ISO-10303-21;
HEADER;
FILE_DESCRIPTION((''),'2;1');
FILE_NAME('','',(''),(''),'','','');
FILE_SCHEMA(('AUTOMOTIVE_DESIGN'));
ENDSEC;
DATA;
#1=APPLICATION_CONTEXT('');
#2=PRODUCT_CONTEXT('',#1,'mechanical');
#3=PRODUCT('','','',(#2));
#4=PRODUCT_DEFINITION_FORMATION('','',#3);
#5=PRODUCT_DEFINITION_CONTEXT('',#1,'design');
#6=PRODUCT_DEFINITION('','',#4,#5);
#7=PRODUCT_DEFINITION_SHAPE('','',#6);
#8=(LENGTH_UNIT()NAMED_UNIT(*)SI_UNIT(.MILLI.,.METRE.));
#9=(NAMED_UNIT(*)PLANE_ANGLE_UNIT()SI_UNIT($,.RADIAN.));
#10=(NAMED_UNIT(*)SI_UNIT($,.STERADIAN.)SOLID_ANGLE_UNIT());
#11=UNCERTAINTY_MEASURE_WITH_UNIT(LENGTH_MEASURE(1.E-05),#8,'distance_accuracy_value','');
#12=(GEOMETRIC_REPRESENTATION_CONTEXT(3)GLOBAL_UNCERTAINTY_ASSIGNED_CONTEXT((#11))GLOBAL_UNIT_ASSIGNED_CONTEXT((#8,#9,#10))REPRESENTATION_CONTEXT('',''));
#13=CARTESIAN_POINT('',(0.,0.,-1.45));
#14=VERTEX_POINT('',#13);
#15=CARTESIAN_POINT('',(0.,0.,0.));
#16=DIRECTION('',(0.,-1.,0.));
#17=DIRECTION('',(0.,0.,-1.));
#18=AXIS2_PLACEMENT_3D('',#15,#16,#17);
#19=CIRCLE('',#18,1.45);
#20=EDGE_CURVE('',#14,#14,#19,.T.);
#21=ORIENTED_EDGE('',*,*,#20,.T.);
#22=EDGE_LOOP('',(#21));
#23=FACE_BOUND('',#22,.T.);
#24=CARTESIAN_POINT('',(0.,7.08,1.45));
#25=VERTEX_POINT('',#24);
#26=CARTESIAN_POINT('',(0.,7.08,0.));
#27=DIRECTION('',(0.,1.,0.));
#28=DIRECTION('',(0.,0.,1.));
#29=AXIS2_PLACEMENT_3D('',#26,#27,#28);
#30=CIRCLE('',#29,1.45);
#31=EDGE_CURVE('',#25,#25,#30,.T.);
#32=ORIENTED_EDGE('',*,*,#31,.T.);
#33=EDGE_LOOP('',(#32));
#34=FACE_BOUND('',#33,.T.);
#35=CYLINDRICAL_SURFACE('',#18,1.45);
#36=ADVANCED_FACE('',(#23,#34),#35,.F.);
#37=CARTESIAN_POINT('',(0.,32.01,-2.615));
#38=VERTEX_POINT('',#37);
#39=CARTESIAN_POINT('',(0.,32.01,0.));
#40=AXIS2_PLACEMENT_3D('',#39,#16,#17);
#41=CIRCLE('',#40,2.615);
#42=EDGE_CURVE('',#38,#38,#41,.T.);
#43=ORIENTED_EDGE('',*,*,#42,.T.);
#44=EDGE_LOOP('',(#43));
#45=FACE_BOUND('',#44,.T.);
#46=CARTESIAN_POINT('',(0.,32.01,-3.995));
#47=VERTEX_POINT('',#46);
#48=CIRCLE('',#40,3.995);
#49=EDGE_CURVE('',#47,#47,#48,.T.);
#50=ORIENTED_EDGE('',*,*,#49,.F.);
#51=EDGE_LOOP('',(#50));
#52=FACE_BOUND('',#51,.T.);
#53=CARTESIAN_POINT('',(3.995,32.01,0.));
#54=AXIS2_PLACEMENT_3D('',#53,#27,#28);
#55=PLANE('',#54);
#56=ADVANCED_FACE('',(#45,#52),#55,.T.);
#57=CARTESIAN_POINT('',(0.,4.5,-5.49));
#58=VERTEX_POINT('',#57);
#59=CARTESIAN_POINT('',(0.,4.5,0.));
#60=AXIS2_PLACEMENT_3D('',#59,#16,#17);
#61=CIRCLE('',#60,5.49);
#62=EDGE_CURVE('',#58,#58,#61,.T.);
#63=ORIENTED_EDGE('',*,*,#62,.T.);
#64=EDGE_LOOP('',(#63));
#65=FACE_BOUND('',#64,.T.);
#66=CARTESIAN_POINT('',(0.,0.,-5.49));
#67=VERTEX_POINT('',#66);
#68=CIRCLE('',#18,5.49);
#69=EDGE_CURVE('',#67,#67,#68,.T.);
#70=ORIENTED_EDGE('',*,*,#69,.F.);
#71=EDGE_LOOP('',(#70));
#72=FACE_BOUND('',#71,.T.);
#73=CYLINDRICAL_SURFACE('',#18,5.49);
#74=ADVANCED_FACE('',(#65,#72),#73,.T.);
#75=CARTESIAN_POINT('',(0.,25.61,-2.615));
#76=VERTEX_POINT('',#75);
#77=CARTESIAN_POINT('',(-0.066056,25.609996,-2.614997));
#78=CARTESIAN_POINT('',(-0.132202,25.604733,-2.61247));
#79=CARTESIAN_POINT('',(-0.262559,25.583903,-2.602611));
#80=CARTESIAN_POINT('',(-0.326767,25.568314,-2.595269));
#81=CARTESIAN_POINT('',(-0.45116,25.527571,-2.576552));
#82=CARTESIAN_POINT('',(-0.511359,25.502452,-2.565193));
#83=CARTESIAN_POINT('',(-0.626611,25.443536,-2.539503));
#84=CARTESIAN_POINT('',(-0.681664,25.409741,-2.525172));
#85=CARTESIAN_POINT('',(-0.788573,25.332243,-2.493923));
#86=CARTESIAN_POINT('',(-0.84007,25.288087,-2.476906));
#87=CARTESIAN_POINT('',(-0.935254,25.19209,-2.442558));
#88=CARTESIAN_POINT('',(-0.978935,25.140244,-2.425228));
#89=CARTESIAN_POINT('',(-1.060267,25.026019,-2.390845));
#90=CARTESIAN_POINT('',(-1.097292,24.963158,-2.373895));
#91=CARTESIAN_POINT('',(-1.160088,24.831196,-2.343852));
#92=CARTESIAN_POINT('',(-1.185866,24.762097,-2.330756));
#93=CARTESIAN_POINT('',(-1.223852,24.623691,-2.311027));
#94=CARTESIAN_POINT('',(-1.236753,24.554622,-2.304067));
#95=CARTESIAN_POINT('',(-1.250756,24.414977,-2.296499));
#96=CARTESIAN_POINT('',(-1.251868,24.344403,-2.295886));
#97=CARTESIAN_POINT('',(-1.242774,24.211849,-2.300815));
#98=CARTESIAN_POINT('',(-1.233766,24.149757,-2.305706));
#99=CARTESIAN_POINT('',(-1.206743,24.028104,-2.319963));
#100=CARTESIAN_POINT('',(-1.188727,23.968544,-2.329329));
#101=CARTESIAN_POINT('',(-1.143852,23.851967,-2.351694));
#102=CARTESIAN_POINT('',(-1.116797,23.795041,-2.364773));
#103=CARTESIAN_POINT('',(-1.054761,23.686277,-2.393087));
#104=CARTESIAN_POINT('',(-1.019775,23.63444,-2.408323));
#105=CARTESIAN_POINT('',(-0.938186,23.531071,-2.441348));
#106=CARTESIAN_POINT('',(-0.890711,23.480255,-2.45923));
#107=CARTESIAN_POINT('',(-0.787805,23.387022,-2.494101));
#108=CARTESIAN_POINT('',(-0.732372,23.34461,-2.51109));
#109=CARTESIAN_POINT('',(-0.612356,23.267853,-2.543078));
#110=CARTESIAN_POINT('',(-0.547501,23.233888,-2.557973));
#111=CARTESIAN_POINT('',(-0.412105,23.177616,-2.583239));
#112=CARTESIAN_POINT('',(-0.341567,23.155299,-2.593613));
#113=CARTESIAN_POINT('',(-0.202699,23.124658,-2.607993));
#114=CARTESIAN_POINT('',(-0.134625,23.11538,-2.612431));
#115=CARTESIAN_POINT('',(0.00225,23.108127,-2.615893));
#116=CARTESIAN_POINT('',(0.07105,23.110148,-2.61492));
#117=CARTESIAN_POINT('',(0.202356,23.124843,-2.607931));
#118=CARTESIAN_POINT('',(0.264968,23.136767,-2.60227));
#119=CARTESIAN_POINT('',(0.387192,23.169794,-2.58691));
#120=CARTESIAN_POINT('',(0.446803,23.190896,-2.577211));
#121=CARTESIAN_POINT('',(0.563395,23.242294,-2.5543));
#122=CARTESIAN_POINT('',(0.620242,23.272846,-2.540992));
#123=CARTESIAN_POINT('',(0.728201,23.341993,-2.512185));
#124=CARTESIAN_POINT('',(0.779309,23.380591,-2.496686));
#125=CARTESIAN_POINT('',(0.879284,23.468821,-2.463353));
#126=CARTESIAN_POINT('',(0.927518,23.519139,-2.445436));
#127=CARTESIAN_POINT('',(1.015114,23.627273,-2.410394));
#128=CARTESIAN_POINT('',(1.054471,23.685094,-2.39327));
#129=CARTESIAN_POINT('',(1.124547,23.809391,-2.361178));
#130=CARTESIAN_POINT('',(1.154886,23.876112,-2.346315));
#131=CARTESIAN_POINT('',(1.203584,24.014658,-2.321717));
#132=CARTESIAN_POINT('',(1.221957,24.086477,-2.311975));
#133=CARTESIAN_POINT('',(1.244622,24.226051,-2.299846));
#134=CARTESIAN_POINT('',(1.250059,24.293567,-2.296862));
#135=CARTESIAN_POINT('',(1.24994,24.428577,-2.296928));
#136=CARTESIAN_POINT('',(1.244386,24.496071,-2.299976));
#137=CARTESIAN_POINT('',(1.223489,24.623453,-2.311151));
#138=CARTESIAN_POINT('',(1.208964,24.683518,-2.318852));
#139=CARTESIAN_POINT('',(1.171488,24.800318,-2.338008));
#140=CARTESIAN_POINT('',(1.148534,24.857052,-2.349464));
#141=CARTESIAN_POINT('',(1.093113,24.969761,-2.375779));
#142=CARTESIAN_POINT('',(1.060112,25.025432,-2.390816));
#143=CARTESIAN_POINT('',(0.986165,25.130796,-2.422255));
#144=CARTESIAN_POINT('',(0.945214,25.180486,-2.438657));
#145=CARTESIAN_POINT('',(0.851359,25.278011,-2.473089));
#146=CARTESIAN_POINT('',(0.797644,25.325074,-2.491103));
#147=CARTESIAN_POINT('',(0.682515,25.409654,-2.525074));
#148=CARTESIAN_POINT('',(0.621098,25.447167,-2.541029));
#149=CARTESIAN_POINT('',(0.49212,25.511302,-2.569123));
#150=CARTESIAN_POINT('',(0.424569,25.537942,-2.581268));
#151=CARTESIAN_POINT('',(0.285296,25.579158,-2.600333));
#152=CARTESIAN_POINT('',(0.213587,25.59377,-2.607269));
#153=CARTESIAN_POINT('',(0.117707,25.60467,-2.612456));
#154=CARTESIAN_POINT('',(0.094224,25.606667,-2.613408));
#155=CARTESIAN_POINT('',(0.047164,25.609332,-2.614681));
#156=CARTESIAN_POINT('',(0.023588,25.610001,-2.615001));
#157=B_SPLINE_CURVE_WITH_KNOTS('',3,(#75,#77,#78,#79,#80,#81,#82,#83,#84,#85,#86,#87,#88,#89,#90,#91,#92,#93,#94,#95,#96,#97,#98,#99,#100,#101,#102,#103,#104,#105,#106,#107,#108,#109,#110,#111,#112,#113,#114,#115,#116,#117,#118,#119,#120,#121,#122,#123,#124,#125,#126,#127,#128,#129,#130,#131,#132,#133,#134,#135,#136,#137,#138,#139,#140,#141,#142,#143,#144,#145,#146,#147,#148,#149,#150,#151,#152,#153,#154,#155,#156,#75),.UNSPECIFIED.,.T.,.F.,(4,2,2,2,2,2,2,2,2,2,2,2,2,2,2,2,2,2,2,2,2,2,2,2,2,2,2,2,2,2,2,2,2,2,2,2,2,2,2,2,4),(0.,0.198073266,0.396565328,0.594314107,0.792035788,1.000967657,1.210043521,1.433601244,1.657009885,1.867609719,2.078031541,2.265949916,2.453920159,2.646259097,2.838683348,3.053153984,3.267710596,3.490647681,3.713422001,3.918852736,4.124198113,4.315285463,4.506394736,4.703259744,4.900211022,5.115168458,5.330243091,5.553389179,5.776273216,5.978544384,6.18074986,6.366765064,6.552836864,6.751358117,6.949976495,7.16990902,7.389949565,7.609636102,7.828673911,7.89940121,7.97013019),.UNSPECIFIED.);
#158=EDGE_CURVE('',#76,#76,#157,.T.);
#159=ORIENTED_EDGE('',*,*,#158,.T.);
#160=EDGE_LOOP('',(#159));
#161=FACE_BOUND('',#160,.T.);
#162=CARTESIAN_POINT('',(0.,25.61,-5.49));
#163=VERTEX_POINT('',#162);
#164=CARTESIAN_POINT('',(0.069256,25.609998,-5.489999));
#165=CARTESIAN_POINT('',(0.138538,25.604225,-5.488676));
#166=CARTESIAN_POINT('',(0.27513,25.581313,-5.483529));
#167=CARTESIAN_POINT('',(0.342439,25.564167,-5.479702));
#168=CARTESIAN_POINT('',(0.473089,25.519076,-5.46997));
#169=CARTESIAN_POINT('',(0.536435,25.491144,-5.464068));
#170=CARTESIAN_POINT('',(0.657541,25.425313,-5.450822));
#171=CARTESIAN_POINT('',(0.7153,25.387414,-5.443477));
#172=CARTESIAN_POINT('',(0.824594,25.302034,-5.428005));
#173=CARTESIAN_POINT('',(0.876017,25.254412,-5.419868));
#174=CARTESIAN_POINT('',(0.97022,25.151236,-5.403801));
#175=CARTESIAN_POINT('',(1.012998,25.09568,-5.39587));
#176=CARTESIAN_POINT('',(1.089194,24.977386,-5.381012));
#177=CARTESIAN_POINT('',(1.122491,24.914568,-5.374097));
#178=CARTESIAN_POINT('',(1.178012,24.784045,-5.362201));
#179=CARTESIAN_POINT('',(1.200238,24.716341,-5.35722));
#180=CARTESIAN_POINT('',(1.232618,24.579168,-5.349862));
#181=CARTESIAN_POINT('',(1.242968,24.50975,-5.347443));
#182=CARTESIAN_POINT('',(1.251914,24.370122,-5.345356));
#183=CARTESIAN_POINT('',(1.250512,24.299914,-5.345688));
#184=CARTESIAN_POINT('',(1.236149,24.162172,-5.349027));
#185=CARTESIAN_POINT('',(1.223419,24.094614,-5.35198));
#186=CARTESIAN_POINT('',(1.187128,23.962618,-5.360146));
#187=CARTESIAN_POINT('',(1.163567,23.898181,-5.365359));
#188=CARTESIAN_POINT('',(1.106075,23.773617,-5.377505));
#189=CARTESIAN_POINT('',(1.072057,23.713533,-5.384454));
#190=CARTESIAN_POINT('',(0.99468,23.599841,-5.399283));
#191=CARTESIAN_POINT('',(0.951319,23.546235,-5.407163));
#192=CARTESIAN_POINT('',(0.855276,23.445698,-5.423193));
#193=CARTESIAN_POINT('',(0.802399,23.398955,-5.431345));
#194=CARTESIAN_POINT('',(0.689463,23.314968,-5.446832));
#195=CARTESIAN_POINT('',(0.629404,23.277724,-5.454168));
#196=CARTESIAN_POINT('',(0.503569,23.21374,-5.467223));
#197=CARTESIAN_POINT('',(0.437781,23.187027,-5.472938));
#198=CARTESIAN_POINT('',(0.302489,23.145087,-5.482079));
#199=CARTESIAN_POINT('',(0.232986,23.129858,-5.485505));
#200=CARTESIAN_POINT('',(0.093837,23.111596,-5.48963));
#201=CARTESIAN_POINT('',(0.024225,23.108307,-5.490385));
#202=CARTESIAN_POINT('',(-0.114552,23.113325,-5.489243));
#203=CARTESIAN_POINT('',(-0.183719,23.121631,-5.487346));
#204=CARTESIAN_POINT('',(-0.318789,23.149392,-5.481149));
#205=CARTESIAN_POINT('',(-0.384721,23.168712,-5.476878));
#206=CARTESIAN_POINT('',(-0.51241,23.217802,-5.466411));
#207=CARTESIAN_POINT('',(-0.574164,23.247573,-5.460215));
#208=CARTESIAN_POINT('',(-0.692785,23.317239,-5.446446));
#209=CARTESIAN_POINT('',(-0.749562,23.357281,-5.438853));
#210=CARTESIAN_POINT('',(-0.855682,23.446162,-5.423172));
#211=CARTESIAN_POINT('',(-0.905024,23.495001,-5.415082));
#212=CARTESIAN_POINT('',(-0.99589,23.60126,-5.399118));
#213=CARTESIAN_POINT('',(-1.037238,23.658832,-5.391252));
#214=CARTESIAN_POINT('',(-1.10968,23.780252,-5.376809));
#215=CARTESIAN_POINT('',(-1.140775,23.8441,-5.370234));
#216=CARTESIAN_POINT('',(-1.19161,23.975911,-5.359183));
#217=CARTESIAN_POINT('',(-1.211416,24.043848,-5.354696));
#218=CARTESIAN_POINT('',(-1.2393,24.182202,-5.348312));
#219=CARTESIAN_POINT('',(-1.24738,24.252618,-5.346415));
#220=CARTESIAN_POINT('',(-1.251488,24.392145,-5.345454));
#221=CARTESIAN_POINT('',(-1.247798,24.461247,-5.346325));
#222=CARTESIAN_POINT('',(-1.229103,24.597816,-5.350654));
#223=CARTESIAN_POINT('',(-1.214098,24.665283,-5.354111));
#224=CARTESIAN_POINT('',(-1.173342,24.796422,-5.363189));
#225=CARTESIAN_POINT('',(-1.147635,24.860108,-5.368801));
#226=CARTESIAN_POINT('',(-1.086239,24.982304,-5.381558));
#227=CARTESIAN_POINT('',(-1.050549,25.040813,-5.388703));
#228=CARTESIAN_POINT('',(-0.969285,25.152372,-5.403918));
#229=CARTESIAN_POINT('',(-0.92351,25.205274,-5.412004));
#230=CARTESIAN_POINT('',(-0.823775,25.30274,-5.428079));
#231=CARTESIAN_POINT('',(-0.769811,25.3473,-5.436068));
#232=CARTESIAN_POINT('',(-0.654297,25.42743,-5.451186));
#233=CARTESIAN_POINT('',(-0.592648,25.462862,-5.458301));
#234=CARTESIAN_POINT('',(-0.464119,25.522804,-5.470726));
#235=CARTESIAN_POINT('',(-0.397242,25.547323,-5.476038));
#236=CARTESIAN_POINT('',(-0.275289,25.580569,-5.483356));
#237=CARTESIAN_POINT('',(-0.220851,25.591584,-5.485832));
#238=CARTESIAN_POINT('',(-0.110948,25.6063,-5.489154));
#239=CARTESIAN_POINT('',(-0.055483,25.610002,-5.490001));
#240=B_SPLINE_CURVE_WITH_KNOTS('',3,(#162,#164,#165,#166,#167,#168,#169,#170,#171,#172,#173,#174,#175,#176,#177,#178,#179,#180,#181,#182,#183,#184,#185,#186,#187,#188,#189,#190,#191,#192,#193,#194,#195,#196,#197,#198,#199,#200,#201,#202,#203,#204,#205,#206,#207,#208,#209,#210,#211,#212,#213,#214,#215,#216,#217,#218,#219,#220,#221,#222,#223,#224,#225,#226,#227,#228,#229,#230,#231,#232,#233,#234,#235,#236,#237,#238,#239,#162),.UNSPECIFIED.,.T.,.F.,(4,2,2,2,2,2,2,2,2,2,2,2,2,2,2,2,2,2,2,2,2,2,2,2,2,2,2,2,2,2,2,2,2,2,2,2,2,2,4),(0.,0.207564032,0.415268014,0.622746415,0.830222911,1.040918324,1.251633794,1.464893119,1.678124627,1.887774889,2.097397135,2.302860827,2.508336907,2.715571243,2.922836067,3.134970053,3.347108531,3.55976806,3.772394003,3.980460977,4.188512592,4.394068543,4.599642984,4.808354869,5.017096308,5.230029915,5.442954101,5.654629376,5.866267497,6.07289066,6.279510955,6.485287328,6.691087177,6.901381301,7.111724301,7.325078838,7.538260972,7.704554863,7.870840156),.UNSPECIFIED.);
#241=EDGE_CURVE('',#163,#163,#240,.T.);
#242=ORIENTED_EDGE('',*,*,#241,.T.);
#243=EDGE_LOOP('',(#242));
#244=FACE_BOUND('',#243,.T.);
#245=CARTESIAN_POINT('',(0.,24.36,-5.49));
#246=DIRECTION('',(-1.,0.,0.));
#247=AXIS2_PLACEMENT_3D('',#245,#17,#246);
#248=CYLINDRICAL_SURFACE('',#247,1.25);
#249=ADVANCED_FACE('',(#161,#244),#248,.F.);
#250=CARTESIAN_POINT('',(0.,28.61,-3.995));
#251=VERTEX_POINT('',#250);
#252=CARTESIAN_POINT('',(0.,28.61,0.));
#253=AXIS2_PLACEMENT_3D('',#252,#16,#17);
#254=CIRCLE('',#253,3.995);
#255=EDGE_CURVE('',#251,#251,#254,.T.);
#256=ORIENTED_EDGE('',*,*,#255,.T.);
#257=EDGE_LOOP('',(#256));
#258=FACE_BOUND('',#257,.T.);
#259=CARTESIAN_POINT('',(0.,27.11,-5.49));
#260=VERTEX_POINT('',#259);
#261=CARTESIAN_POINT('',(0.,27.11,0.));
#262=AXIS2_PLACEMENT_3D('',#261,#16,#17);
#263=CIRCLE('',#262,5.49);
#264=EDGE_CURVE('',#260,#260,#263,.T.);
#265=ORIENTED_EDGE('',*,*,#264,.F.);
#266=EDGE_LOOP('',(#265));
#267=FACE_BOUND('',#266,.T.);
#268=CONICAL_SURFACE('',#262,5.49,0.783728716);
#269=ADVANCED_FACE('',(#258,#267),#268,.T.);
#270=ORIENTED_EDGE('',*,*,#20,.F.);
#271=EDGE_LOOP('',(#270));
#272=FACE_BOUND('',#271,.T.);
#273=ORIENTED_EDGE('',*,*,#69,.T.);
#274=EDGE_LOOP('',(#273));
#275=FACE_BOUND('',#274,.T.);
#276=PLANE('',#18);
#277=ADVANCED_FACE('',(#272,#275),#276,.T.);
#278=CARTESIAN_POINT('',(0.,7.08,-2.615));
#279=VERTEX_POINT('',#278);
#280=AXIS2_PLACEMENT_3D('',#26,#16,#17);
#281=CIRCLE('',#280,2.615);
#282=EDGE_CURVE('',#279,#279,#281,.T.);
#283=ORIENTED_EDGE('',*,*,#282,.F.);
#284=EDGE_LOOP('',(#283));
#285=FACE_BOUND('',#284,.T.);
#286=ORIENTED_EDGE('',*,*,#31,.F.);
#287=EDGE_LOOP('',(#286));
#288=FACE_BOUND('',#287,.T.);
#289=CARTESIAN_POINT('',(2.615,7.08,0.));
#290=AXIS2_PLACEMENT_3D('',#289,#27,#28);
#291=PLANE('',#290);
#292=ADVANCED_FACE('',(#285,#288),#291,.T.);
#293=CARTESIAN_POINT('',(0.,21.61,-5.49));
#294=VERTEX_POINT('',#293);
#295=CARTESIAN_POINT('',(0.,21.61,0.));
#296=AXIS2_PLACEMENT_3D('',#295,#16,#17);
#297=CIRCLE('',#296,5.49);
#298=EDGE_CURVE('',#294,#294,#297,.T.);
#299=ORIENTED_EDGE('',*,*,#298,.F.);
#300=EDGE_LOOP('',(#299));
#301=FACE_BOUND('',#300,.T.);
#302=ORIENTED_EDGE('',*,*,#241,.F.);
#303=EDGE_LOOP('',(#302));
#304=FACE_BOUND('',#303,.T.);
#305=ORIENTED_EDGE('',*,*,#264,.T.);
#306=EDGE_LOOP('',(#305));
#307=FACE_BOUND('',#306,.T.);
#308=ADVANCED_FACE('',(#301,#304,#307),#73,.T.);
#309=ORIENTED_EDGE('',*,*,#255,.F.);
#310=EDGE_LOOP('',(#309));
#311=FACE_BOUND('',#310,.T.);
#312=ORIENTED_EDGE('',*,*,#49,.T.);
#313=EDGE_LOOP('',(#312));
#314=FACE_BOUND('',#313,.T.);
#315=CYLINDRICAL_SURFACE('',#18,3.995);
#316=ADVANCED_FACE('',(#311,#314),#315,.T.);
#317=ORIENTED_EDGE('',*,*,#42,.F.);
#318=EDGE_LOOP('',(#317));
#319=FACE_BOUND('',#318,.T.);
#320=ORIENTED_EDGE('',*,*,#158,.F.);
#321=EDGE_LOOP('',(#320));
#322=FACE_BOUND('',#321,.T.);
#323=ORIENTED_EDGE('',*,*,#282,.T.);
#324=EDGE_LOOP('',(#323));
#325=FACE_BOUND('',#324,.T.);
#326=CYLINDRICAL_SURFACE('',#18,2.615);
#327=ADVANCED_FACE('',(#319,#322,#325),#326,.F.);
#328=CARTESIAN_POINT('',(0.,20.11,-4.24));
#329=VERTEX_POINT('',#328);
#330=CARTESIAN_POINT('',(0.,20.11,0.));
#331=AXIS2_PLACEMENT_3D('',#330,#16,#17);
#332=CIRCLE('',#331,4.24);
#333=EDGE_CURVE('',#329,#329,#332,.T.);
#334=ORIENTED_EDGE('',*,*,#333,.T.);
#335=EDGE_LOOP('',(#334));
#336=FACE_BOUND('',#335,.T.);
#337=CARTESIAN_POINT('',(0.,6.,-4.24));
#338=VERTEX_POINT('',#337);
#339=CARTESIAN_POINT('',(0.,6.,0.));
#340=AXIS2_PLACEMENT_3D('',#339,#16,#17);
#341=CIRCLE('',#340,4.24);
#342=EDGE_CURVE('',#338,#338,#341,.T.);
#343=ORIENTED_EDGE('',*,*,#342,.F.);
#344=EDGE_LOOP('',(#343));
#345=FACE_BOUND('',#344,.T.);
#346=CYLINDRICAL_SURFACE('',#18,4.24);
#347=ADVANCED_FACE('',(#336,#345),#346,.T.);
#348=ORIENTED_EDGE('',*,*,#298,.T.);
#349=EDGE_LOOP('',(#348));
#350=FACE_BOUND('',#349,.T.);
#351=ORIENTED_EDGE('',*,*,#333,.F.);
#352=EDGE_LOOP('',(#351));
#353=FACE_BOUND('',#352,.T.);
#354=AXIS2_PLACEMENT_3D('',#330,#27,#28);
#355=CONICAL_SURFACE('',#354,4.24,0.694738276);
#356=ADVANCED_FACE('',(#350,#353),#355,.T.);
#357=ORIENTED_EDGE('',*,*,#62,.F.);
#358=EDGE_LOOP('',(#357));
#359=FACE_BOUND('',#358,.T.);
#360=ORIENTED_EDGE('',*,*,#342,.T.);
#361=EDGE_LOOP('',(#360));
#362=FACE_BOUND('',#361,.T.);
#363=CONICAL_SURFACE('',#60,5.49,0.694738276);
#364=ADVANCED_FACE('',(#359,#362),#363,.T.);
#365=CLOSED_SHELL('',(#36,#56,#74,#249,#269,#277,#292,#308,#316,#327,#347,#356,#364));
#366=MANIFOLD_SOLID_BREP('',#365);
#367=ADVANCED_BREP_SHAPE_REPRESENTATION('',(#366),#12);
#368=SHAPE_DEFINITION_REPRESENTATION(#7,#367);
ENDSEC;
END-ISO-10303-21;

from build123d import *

# Parameters (mm, degrees)
FORO_FILETTATO_M3_5X0_6_1_D    = 2.9
FORO_FILETTATO_M3X0_5_2_REACH  = 36.283
FORO_FILETTATO_M3X0_5_2_BORE_R = 1.25


with BuildPart() as part:
    # Schizzo1 → Rivoluzione1 (revolve)
    with BuildSketch(Plane.XY, mode=Mode.PRIVATE) as rivoluzione1_sk:
        Polygon((0, 0), (5.49, 0), (5.49, 4.5), (4.24, 6), (4.24, 20.11), (5.49, 21.61), (5.49, 27.11), (3.995, 28.61), (3.995, 32.01), (2.615, 32.01), (2.615, 7.08), (0, 7.08), align=None)
    revolve(rivoluzione1_sk.sketch.rotate(Axis((0, 0, 0), (0, 1, 0)), 90), axis=Axis((0, 0, 0), (0, 1, 0)))

    # Foro filettato M3.5x0.6-1 (through all)
    with Locations(Plane(origin=(0, 0, 0), x_dir=(-1, 0, 0), z_dir=(0, -1, 0))):
        with Locations((0, 0)):
            Hole(FORO_FILETTATO_M3_5X0_6_1_D / 2)

    # Foro filettato M3x0.5-2 bore → Foro filettato M3x0.5-2 (cut, up to next)
    with BuildSketch(Plane(origin=(0, 0, -5.49), x_dir=(-1, 0, 0), z_dir=(0, 0, -1)), mode=Mode.PRIVATE) as foro_filettato_m3x0_5_2_sk1:
        with Locations((0, 24.36)):
            Circle(FORO_FILETTATO_M3X0_5_2_BORE_R)
    foro_filettato_m3x0_5_2_tool1 = extrude(foro_filettato_m3x0_5_2_sk1.sketch, amount=-FORO_FILETTATO_M3X0_5_2_REACH, mode=Mode.PRIVATE) & part.part
    add(foro_filettato_m3x0_5_2_tool1.solids().sort_by_distance((0, 24.36, -5.49))[0], mode=Mode.SUBTRACT)


solid = part.part
